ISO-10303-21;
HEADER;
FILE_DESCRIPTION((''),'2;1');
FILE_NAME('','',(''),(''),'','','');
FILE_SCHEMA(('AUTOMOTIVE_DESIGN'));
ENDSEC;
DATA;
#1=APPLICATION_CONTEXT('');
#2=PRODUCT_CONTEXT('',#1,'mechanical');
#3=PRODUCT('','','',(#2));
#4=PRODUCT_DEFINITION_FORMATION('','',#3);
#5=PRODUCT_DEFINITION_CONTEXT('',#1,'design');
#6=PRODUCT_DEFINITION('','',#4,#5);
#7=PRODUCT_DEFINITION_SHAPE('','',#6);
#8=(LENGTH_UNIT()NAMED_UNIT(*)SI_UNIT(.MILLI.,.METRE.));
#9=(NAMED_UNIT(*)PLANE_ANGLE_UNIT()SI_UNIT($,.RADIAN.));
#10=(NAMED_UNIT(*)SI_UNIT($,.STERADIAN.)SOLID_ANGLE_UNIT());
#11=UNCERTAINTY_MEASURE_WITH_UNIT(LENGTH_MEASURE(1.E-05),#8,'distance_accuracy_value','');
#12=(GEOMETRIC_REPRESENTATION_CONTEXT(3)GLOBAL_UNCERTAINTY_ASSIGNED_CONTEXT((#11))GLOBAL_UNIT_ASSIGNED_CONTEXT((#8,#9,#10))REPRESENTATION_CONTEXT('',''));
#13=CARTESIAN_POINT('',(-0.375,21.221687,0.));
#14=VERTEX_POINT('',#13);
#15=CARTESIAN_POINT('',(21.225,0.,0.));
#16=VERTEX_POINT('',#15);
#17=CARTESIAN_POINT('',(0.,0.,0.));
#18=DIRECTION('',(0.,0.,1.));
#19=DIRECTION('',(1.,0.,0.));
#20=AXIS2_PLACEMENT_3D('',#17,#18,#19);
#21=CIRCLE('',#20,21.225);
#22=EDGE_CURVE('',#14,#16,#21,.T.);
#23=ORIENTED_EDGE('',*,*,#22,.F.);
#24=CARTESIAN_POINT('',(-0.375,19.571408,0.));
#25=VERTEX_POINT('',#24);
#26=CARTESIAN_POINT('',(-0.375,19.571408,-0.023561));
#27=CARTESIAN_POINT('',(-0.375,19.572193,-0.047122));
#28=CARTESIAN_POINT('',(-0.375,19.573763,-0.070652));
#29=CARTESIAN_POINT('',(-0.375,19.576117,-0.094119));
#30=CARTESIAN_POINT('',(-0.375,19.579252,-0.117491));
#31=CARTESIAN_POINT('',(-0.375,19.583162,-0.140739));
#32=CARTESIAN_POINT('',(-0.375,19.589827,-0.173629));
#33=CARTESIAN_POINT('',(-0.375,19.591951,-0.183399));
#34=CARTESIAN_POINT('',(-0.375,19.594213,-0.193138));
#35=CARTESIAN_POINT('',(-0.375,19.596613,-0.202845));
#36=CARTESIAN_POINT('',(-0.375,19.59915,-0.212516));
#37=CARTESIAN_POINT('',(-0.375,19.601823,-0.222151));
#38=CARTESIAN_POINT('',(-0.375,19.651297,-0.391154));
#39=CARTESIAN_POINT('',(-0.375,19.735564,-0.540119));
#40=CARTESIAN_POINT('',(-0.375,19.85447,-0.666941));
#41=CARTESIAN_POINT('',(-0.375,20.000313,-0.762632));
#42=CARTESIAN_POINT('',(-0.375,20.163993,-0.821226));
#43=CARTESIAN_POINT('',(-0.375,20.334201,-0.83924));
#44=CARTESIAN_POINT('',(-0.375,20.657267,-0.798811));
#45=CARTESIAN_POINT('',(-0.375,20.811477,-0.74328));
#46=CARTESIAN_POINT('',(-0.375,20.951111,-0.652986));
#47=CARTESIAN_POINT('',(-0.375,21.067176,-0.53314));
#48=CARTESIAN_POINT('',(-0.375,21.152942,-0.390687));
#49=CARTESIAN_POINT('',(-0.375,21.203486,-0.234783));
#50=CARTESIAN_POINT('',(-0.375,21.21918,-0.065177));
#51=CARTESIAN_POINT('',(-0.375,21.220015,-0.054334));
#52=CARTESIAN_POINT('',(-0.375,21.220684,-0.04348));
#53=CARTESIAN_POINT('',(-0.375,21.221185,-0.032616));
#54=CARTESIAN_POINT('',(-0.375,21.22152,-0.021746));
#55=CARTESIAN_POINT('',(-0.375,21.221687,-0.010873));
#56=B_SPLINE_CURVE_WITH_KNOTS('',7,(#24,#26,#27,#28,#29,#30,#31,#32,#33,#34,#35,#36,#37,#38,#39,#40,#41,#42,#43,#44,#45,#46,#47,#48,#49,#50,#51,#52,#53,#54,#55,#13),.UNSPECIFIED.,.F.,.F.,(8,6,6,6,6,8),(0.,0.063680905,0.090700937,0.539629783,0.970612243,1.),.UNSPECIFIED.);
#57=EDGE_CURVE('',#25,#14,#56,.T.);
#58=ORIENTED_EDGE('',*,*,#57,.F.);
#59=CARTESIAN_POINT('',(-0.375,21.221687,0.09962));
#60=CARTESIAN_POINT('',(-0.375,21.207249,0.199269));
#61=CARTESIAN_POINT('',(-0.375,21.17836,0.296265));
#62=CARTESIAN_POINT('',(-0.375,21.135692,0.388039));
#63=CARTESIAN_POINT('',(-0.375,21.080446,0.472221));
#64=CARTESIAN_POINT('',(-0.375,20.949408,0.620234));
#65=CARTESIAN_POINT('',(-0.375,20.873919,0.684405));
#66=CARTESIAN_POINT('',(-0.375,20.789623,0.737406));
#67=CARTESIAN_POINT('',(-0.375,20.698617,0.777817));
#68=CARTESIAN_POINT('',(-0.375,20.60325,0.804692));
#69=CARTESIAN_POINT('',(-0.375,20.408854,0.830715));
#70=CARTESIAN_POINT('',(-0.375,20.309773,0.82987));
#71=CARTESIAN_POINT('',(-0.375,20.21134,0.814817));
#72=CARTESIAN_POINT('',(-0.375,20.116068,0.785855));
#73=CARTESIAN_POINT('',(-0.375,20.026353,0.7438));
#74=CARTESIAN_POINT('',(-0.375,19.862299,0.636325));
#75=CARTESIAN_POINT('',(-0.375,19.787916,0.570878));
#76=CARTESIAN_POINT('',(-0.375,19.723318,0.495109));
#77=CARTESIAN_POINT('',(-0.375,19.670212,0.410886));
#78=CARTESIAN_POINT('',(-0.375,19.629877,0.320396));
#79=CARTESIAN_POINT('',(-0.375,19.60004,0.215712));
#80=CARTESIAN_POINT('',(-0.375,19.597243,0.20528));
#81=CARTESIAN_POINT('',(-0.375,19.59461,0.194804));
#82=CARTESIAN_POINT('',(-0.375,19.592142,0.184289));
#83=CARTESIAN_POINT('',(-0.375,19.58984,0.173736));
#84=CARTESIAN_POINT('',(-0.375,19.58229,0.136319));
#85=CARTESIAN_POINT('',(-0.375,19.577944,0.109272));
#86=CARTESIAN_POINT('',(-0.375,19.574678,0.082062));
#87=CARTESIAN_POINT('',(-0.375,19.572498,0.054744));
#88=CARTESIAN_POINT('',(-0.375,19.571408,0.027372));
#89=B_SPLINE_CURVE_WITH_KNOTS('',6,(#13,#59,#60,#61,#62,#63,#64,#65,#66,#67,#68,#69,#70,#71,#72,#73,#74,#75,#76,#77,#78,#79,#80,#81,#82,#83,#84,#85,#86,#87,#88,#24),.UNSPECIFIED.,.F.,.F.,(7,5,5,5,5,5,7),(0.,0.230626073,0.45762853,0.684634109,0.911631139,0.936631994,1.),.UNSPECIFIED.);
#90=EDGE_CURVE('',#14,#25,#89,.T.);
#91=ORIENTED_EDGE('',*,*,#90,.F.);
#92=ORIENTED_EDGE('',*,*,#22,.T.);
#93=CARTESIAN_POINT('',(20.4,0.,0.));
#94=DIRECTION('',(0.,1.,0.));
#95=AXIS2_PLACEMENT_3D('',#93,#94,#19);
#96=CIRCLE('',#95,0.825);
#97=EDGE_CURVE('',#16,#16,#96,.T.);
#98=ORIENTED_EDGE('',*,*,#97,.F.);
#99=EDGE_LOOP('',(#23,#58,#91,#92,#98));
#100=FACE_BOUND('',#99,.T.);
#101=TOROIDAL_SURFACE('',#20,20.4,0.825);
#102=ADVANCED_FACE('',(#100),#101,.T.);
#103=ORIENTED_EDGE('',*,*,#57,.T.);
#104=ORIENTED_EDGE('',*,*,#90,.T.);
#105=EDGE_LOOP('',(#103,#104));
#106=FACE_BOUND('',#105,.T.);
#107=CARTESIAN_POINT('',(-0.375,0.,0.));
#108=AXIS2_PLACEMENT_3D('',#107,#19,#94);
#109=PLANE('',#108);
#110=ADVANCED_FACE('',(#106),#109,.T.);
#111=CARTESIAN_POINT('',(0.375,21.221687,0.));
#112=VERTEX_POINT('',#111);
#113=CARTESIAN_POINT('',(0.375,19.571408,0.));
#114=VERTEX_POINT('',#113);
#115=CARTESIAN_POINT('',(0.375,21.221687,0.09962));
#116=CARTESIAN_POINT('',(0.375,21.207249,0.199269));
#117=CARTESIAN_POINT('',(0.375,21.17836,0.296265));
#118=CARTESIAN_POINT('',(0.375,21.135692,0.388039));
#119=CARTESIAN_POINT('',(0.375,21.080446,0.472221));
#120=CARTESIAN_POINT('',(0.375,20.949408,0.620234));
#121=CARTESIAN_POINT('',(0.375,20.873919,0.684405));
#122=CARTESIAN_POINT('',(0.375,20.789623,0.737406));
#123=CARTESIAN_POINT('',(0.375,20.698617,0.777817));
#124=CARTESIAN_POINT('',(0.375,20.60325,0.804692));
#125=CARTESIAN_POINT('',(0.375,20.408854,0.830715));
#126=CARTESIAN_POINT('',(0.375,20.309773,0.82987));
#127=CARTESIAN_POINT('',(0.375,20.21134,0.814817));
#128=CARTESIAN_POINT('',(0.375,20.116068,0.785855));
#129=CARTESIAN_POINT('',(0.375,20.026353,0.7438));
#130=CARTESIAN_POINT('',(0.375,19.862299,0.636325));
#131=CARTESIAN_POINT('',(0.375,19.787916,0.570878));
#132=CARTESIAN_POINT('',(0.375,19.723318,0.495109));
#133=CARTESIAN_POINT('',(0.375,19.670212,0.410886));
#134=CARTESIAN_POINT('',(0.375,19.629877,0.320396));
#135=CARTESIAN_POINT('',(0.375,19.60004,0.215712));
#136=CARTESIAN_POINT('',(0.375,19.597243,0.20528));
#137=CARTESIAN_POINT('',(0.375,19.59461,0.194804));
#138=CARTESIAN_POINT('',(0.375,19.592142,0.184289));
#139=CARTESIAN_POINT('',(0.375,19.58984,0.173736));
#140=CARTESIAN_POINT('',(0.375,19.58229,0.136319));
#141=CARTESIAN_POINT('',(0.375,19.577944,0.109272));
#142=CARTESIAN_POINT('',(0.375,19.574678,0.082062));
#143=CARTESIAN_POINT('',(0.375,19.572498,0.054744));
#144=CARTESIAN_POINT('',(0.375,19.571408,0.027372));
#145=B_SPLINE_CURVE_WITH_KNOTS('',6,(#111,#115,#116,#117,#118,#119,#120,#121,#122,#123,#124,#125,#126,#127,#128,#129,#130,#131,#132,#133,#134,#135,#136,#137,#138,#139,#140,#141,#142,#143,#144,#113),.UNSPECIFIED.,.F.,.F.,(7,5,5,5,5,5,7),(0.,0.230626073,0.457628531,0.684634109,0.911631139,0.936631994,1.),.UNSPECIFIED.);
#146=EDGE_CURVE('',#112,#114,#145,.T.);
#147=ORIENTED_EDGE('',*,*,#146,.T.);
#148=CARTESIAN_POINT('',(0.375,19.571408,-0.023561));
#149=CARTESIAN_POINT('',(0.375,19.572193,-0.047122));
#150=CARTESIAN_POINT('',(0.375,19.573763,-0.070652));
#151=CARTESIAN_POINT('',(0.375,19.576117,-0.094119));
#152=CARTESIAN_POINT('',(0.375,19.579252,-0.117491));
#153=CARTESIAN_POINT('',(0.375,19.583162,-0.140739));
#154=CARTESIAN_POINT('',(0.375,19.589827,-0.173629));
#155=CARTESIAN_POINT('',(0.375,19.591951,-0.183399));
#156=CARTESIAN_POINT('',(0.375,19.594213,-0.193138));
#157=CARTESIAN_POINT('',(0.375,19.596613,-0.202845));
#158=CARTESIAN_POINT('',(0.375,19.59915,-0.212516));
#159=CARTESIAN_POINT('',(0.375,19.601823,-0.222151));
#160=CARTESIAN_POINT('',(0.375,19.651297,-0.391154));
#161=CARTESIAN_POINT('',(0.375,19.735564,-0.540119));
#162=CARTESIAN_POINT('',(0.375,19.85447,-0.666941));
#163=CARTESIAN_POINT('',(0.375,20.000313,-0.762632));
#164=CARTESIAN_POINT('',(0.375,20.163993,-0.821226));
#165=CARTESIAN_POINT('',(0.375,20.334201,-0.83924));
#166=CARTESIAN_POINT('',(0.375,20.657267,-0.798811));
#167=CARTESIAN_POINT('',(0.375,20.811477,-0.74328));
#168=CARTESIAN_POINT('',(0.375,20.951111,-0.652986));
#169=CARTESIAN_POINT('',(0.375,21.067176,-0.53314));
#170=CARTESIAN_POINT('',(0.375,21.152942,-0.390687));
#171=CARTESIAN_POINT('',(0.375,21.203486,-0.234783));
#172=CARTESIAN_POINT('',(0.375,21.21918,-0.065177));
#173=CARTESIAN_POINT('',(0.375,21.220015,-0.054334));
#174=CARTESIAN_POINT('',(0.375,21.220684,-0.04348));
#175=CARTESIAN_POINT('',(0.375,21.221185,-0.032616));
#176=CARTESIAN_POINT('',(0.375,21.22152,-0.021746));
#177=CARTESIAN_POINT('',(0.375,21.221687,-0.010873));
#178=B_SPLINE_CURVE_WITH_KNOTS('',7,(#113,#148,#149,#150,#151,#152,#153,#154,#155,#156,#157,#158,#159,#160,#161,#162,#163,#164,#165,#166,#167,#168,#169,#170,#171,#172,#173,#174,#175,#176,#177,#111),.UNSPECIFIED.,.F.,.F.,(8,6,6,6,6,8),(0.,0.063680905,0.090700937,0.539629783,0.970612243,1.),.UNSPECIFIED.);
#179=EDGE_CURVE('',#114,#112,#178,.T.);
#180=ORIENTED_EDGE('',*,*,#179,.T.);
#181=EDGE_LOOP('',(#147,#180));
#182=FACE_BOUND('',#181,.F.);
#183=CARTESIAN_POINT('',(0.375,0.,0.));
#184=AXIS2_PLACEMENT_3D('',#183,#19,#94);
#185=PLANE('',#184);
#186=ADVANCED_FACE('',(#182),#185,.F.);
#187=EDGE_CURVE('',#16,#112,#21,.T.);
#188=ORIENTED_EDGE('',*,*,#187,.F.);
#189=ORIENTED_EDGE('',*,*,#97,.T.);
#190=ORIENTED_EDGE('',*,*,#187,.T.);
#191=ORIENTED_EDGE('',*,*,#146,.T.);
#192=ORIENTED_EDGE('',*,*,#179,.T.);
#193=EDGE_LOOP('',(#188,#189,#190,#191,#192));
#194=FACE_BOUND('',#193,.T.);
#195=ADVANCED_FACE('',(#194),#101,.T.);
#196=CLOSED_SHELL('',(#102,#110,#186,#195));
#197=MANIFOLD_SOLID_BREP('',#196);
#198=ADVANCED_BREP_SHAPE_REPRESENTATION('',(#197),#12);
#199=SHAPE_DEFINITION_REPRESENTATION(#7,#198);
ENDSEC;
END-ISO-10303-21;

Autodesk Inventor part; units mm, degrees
ref_plane "YZ Plane" through (0, 0, 0) normal (1, 0, 0) x (0, 1, 0)
ref_plane "XZ Plane" through (0, 0, 0) normal (0, 1, 0) x (-1, 0, 0)
ref_plane "XY Plane" through (0, 0, 0) normal (0, 0, 1) x (1, 0, 0)
sketch "Sketch1" plane through (0, 0, 0) normal (0, 0, 1) x (1, 0, 0)
  circle A0 centre (0, 0) radius 20.4
  dimension "d0" = 40.8
sketch "Sketch2" plane through (0, 0, 0) normal (0, 1, 0) x (-1, 0, 0)
  line L0 (20.4, 0) -> (-20.4, 0) projected
  circle A0 centre (20.4, 0) radius 0.825
  point P0 (0, 0)
  dimension "d1" = 1.65
sweep "Sweep1" add profiles "Sketch2" path "Sketch1"
sketch "Sketch3" plane through (0, 0, 0) normal (1, 0, 0) x (0, 1, 0)
  arc A0 (20.4, -0.825) -> (20.4, 0.825) centre (20.4, 0) ccw projected
  arc A1 (20.4, 0.825) -> (20.4, -0.825) centre (20.4, 0) ccw projected
  circle A2 centre (20.4, 0) radius 1
  point P0 (0, 0)
  dimension "d4" = 2
extrude "Extrusion1" cut sketch "Sketch3" along normal mid plane 0.75 contours A1 A0 | A2
properties part number "Wire"
